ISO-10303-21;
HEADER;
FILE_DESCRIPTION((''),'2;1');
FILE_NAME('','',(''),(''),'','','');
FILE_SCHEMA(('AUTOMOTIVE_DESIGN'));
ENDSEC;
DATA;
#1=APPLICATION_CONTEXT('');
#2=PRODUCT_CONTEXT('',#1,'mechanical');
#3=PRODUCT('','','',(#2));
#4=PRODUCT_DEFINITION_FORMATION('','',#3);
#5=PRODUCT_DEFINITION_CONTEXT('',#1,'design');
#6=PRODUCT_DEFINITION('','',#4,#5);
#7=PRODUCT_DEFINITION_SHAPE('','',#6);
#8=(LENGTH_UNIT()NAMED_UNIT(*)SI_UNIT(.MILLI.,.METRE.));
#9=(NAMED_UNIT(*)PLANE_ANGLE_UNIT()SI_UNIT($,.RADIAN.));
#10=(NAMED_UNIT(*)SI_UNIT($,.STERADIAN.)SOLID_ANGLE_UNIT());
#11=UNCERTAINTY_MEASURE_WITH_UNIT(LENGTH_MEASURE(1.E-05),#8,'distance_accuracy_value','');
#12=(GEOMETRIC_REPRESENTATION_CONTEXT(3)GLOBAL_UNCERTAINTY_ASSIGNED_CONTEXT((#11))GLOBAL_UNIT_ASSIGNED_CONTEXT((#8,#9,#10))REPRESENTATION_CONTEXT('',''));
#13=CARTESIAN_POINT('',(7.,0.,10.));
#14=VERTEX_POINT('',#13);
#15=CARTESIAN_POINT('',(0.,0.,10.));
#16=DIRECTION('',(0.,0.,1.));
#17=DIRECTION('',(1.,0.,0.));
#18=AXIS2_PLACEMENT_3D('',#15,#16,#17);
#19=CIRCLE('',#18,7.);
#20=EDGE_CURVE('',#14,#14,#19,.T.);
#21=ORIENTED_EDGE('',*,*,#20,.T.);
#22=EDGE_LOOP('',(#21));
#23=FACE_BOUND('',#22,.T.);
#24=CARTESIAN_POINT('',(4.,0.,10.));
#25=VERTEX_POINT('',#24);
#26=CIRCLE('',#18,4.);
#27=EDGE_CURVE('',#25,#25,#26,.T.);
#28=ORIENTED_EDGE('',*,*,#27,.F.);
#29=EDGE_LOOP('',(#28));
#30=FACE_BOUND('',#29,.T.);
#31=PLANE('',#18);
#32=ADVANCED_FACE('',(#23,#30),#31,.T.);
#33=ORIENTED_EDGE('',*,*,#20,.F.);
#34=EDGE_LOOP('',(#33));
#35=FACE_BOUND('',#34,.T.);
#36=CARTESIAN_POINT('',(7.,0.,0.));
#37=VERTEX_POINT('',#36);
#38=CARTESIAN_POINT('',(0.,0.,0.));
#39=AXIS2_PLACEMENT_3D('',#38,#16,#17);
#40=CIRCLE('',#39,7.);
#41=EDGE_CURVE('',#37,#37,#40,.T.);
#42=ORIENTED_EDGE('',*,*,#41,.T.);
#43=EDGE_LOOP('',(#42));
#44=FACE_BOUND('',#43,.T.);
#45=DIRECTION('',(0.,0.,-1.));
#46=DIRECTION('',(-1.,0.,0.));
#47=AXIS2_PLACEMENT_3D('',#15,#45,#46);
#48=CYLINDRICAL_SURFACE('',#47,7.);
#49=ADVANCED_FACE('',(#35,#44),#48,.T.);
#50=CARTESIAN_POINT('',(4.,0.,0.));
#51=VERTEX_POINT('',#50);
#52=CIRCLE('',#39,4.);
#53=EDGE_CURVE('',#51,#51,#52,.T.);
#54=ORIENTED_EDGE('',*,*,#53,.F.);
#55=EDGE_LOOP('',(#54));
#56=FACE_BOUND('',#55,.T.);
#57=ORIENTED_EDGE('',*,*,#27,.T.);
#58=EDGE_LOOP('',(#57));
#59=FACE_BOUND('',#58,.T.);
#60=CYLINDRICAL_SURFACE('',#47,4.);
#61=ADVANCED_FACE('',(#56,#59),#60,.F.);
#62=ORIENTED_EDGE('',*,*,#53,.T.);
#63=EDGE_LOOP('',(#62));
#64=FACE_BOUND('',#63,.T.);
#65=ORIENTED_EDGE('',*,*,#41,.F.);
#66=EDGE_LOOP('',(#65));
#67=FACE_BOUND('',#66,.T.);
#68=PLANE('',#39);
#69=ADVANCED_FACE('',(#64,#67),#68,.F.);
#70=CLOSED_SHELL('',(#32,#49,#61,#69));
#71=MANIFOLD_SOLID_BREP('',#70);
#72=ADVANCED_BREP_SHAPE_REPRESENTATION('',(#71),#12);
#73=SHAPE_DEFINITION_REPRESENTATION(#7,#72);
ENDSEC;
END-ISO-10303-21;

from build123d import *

# Parameters (mm, degrees)
SKETCH1_R           = 7
SKETCH1_R_2         = 4
BOSS_EXTRUDE1_DEPTH = 10


with BuildPart() as part:
    # Sketch1 → Boss-Extrude1 (new body)
    with BuildSketch(Plane.XY):
        Circle(SKETCH1_R)
        Circle(SKETCH1_R_2, mode=Mode.SUBTRACT)
    extrude(amount=BOSS_EXTRUDE1_DEPTH)


solid = part.part
